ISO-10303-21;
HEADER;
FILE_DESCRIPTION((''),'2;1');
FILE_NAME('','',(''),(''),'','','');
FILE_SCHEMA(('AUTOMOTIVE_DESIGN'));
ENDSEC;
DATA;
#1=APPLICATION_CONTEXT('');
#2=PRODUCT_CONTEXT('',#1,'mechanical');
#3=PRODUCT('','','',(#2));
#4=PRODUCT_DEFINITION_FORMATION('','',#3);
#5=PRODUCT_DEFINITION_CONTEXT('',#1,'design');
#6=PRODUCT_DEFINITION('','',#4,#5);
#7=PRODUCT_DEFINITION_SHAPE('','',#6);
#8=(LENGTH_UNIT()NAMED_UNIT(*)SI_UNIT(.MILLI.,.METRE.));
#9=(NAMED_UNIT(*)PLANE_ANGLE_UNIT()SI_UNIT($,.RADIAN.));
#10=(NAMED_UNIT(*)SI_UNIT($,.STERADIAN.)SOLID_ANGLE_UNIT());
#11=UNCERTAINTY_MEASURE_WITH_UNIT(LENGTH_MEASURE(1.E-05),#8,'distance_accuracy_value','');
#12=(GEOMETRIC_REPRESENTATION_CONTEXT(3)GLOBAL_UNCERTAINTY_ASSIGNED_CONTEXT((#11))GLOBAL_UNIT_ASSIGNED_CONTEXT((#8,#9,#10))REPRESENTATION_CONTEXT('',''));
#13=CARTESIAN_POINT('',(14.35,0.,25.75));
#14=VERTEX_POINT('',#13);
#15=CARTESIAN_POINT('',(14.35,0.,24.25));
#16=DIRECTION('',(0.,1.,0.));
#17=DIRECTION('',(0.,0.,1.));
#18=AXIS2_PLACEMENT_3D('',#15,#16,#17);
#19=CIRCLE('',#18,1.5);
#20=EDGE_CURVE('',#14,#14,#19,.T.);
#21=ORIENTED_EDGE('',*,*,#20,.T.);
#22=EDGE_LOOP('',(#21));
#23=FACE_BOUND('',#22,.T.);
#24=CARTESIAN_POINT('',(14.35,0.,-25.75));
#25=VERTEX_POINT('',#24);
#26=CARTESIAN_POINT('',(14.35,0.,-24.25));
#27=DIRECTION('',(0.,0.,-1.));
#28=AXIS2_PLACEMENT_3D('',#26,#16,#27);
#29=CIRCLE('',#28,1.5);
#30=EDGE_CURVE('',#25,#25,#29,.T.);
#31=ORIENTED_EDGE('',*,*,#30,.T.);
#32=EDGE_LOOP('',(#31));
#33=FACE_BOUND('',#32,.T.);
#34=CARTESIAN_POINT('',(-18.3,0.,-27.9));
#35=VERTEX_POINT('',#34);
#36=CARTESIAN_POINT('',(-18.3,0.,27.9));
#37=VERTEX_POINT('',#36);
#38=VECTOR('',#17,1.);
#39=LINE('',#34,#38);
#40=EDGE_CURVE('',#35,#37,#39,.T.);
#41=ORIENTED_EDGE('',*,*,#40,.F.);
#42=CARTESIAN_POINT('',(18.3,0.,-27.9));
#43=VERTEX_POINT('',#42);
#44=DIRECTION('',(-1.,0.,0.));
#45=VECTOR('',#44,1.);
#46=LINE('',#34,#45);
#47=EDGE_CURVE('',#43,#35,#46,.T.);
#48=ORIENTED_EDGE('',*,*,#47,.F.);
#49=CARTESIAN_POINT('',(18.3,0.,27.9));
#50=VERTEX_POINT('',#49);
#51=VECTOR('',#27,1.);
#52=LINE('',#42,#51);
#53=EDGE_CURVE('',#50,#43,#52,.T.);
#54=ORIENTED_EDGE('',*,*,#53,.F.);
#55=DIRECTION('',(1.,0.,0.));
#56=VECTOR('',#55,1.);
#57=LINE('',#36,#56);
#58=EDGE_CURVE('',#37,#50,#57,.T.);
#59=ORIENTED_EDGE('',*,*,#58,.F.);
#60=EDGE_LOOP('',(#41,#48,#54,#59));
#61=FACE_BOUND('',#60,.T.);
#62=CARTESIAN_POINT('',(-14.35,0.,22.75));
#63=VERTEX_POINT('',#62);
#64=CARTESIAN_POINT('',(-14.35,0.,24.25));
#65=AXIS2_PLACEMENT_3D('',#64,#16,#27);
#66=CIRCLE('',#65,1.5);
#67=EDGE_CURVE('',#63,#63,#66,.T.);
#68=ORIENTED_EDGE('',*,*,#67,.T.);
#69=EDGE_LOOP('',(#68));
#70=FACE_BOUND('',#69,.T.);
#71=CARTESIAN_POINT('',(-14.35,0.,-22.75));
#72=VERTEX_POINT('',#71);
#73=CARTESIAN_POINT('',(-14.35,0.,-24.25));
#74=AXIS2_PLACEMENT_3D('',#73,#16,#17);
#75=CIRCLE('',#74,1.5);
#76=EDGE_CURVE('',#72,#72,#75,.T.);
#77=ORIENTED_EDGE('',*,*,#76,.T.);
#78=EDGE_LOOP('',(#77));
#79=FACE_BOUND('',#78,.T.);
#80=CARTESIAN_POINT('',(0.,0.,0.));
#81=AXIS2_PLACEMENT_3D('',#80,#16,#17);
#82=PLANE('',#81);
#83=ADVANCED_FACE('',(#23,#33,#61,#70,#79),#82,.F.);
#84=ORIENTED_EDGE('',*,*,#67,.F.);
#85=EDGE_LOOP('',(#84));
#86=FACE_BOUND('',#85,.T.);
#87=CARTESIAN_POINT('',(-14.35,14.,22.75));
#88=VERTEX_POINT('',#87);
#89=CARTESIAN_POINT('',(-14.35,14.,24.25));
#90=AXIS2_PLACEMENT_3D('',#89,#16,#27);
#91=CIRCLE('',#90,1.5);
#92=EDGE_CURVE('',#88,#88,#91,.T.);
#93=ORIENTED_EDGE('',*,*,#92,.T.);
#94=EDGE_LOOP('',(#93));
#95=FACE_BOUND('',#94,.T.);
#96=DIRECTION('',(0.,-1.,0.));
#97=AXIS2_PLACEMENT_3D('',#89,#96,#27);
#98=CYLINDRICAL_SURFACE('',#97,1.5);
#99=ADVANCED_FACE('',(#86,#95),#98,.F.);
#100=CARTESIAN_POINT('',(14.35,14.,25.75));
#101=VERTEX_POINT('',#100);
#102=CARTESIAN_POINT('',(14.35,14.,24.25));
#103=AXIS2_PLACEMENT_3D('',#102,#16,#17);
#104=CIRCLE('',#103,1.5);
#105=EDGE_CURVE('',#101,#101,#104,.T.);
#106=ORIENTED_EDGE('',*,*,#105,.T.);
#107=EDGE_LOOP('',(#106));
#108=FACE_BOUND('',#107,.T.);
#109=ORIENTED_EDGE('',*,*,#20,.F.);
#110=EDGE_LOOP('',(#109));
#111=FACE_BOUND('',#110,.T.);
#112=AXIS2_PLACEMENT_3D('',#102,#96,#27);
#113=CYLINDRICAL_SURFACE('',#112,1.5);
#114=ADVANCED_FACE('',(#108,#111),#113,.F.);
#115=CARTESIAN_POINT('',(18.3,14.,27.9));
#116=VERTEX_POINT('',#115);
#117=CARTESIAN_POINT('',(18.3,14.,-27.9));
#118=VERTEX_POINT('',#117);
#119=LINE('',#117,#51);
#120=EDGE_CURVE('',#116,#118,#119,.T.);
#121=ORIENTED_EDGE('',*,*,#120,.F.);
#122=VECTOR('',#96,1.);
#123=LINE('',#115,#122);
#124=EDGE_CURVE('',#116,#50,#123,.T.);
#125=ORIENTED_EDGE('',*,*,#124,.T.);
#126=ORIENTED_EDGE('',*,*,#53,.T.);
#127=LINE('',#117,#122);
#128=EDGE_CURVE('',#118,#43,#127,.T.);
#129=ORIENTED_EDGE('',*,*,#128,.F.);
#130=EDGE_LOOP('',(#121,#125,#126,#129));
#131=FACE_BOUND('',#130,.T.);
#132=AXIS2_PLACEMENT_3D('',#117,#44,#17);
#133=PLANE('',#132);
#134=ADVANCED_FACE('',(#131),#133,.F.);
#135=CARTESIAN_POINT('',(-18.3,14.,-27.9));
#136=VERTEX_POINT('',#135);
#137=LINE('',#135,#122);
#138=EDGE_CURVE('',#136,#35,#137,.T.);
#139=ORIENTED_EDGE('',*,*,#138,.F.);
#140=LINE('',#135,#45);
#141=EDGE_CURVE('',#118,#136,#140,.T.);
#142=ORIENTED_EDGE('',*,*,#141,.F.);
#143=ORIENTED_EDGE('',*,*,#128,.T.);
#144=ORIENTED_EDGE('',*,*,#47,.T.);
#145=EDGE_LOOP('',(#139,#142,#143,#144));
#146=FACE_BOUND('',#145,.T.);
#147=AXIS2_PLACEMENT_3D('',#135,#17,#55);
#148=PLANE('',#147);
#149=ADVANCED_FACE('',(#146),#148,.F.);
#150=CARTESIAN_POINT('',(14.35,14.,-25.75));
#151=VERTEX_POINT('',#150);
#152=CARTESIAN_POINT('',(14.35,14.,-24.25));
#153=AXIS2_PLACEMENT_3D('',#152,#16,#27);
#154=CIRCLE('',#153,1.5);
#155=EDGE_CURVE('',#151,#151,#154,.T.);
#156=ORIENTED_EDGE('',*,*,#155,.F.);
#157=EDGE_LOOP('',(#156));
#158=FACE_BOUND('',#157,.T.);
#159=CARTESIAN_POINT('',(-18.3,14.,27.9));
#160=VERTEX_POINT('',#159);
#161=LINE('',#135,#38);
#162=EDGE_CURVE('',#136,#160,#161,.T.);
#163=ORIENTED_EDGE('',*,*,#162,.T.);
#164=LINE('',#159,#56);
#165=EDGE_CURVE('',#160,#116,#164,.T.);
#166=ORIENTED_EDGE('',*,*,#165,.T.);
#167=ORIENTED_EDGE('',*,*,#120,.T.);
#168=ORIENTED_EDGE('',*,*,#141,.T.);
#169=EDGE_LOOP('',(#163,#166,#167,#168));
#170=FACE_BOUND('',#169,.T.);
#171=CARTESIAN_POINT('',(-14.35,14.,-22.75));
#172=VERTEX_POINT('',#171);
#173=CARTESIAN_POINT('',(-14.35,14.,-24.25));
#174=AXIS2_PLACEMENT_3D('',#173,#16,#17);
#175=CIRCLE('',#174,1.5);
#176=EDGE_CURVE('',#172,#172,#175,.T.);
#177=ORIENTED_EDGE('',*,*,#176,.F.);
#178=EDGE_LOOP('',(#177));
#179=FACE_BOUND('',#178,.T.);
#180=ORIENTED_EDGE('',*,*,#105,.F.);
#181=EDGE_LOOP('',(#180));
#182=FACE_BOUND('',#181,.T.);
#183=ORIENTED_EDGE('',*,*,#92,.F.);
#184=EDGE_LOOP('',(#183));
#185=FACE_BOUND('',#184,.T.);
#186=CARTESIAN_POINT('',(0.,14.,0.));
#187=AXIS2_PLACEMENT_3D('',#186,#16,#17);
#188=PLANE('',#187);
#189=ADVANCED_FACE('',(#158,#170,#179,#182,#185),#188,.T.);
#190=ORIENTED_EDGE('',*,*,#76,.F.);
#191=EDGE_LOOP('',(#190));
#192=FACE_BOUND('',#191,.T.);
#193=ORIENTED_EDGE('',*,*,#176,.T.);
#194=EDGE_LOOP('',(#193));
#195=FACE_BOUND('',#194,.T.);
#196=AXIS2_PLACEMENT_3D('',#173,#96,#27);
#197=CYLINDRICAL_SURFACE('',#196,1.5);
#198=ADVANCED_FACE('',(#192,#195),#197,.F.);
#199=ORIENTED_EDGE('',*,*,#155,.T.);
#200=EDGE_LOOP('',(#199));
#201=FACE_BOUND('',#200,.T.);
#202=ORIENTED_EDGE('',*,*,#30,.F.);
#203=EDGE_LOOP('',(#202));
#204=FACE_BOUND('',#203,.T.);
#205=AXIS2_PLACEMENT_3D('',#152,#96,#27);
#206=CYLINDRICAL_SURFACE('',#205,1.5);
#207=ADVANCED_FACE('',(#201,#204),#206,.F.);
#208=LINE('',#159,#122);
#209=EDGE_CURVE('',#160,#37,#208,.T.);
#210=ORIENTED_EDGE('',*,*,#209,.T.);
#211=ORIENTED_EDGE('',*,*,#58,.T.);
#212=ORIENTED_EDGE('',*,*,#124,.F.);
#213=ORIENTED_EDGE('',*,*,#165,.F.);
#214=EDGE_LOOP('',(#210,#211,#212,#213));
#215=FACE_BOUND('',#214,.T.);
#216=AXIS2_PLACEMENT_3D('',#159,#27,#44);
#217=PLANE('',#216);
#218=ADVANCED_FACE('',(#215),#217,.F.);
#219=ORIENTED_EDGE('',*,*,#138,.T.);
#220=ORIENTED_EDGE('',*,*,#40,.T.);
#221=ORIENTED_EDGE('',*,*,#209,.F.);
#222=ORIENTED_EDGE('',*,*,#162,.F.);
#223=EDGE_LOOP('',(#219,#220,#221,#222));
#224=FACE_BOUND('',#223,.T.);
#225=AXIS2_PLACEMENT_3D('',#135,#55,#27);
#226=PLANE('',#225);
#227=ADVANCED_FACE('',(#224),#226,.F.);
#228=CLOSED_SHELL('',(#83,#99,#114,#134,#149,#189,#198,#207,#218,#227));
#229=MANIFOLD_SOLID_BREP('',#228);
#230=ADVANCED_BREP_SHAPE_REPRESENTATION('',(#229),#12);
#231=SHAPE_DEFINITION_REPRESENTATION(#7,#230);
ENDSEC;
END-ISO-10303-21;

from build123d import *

# Parameters (mm, degrees)
SKETCH_1_W          = 36.6
SKETCH_1_H          = 55.8
EXTRUDE_1_DEPTH     = 14
SKETCH_3_R          = 1.5
CUT_EXTRUDE_1_DEPTH = 37.184250718


with BuildPart() as part:
    # 草图1 → 凸台-拉伸1 (new body)
    with BuildSketch(Plane(origin=(0, 0, 0), x_dir=(1, 0, 0), z_dir=(0, 1, 0))):
        Rectangle(SKETCH_1_W, SKETCH_1_H)
    extrude(amount=EXTRUDE_1_DEPTH)

    # 草图3 → 切除-拉伸1 (cut, through all)
    with BuildSketch(Plane(origin=(0, 0, 0), x_dir=(1, 0, 0), z_dir=(0, 1, 0))):
        with Locations(Location((-14.35, 24.25, 0), (0, 0, 270))):
            Circle(SKETCH_3_R)
        with Locations(Location((-14.35, -24.25, 0), (0, 0, 90))):
            Circle(SKETCH_3_R)
        with Locations(Location((14.35, -24.25, 0), (0, 0, 270))):
            Circle(SKETCH_3_R)
        with Locations(Location((14.35, 24.25, 0), (0, 0, 90))):
            Circle(SKETCH_3_R)
    extrude(amount=CUT_EXTRUDE_1_DEPTH, mode=Mode.SUBTRACT)


solid = part.part
